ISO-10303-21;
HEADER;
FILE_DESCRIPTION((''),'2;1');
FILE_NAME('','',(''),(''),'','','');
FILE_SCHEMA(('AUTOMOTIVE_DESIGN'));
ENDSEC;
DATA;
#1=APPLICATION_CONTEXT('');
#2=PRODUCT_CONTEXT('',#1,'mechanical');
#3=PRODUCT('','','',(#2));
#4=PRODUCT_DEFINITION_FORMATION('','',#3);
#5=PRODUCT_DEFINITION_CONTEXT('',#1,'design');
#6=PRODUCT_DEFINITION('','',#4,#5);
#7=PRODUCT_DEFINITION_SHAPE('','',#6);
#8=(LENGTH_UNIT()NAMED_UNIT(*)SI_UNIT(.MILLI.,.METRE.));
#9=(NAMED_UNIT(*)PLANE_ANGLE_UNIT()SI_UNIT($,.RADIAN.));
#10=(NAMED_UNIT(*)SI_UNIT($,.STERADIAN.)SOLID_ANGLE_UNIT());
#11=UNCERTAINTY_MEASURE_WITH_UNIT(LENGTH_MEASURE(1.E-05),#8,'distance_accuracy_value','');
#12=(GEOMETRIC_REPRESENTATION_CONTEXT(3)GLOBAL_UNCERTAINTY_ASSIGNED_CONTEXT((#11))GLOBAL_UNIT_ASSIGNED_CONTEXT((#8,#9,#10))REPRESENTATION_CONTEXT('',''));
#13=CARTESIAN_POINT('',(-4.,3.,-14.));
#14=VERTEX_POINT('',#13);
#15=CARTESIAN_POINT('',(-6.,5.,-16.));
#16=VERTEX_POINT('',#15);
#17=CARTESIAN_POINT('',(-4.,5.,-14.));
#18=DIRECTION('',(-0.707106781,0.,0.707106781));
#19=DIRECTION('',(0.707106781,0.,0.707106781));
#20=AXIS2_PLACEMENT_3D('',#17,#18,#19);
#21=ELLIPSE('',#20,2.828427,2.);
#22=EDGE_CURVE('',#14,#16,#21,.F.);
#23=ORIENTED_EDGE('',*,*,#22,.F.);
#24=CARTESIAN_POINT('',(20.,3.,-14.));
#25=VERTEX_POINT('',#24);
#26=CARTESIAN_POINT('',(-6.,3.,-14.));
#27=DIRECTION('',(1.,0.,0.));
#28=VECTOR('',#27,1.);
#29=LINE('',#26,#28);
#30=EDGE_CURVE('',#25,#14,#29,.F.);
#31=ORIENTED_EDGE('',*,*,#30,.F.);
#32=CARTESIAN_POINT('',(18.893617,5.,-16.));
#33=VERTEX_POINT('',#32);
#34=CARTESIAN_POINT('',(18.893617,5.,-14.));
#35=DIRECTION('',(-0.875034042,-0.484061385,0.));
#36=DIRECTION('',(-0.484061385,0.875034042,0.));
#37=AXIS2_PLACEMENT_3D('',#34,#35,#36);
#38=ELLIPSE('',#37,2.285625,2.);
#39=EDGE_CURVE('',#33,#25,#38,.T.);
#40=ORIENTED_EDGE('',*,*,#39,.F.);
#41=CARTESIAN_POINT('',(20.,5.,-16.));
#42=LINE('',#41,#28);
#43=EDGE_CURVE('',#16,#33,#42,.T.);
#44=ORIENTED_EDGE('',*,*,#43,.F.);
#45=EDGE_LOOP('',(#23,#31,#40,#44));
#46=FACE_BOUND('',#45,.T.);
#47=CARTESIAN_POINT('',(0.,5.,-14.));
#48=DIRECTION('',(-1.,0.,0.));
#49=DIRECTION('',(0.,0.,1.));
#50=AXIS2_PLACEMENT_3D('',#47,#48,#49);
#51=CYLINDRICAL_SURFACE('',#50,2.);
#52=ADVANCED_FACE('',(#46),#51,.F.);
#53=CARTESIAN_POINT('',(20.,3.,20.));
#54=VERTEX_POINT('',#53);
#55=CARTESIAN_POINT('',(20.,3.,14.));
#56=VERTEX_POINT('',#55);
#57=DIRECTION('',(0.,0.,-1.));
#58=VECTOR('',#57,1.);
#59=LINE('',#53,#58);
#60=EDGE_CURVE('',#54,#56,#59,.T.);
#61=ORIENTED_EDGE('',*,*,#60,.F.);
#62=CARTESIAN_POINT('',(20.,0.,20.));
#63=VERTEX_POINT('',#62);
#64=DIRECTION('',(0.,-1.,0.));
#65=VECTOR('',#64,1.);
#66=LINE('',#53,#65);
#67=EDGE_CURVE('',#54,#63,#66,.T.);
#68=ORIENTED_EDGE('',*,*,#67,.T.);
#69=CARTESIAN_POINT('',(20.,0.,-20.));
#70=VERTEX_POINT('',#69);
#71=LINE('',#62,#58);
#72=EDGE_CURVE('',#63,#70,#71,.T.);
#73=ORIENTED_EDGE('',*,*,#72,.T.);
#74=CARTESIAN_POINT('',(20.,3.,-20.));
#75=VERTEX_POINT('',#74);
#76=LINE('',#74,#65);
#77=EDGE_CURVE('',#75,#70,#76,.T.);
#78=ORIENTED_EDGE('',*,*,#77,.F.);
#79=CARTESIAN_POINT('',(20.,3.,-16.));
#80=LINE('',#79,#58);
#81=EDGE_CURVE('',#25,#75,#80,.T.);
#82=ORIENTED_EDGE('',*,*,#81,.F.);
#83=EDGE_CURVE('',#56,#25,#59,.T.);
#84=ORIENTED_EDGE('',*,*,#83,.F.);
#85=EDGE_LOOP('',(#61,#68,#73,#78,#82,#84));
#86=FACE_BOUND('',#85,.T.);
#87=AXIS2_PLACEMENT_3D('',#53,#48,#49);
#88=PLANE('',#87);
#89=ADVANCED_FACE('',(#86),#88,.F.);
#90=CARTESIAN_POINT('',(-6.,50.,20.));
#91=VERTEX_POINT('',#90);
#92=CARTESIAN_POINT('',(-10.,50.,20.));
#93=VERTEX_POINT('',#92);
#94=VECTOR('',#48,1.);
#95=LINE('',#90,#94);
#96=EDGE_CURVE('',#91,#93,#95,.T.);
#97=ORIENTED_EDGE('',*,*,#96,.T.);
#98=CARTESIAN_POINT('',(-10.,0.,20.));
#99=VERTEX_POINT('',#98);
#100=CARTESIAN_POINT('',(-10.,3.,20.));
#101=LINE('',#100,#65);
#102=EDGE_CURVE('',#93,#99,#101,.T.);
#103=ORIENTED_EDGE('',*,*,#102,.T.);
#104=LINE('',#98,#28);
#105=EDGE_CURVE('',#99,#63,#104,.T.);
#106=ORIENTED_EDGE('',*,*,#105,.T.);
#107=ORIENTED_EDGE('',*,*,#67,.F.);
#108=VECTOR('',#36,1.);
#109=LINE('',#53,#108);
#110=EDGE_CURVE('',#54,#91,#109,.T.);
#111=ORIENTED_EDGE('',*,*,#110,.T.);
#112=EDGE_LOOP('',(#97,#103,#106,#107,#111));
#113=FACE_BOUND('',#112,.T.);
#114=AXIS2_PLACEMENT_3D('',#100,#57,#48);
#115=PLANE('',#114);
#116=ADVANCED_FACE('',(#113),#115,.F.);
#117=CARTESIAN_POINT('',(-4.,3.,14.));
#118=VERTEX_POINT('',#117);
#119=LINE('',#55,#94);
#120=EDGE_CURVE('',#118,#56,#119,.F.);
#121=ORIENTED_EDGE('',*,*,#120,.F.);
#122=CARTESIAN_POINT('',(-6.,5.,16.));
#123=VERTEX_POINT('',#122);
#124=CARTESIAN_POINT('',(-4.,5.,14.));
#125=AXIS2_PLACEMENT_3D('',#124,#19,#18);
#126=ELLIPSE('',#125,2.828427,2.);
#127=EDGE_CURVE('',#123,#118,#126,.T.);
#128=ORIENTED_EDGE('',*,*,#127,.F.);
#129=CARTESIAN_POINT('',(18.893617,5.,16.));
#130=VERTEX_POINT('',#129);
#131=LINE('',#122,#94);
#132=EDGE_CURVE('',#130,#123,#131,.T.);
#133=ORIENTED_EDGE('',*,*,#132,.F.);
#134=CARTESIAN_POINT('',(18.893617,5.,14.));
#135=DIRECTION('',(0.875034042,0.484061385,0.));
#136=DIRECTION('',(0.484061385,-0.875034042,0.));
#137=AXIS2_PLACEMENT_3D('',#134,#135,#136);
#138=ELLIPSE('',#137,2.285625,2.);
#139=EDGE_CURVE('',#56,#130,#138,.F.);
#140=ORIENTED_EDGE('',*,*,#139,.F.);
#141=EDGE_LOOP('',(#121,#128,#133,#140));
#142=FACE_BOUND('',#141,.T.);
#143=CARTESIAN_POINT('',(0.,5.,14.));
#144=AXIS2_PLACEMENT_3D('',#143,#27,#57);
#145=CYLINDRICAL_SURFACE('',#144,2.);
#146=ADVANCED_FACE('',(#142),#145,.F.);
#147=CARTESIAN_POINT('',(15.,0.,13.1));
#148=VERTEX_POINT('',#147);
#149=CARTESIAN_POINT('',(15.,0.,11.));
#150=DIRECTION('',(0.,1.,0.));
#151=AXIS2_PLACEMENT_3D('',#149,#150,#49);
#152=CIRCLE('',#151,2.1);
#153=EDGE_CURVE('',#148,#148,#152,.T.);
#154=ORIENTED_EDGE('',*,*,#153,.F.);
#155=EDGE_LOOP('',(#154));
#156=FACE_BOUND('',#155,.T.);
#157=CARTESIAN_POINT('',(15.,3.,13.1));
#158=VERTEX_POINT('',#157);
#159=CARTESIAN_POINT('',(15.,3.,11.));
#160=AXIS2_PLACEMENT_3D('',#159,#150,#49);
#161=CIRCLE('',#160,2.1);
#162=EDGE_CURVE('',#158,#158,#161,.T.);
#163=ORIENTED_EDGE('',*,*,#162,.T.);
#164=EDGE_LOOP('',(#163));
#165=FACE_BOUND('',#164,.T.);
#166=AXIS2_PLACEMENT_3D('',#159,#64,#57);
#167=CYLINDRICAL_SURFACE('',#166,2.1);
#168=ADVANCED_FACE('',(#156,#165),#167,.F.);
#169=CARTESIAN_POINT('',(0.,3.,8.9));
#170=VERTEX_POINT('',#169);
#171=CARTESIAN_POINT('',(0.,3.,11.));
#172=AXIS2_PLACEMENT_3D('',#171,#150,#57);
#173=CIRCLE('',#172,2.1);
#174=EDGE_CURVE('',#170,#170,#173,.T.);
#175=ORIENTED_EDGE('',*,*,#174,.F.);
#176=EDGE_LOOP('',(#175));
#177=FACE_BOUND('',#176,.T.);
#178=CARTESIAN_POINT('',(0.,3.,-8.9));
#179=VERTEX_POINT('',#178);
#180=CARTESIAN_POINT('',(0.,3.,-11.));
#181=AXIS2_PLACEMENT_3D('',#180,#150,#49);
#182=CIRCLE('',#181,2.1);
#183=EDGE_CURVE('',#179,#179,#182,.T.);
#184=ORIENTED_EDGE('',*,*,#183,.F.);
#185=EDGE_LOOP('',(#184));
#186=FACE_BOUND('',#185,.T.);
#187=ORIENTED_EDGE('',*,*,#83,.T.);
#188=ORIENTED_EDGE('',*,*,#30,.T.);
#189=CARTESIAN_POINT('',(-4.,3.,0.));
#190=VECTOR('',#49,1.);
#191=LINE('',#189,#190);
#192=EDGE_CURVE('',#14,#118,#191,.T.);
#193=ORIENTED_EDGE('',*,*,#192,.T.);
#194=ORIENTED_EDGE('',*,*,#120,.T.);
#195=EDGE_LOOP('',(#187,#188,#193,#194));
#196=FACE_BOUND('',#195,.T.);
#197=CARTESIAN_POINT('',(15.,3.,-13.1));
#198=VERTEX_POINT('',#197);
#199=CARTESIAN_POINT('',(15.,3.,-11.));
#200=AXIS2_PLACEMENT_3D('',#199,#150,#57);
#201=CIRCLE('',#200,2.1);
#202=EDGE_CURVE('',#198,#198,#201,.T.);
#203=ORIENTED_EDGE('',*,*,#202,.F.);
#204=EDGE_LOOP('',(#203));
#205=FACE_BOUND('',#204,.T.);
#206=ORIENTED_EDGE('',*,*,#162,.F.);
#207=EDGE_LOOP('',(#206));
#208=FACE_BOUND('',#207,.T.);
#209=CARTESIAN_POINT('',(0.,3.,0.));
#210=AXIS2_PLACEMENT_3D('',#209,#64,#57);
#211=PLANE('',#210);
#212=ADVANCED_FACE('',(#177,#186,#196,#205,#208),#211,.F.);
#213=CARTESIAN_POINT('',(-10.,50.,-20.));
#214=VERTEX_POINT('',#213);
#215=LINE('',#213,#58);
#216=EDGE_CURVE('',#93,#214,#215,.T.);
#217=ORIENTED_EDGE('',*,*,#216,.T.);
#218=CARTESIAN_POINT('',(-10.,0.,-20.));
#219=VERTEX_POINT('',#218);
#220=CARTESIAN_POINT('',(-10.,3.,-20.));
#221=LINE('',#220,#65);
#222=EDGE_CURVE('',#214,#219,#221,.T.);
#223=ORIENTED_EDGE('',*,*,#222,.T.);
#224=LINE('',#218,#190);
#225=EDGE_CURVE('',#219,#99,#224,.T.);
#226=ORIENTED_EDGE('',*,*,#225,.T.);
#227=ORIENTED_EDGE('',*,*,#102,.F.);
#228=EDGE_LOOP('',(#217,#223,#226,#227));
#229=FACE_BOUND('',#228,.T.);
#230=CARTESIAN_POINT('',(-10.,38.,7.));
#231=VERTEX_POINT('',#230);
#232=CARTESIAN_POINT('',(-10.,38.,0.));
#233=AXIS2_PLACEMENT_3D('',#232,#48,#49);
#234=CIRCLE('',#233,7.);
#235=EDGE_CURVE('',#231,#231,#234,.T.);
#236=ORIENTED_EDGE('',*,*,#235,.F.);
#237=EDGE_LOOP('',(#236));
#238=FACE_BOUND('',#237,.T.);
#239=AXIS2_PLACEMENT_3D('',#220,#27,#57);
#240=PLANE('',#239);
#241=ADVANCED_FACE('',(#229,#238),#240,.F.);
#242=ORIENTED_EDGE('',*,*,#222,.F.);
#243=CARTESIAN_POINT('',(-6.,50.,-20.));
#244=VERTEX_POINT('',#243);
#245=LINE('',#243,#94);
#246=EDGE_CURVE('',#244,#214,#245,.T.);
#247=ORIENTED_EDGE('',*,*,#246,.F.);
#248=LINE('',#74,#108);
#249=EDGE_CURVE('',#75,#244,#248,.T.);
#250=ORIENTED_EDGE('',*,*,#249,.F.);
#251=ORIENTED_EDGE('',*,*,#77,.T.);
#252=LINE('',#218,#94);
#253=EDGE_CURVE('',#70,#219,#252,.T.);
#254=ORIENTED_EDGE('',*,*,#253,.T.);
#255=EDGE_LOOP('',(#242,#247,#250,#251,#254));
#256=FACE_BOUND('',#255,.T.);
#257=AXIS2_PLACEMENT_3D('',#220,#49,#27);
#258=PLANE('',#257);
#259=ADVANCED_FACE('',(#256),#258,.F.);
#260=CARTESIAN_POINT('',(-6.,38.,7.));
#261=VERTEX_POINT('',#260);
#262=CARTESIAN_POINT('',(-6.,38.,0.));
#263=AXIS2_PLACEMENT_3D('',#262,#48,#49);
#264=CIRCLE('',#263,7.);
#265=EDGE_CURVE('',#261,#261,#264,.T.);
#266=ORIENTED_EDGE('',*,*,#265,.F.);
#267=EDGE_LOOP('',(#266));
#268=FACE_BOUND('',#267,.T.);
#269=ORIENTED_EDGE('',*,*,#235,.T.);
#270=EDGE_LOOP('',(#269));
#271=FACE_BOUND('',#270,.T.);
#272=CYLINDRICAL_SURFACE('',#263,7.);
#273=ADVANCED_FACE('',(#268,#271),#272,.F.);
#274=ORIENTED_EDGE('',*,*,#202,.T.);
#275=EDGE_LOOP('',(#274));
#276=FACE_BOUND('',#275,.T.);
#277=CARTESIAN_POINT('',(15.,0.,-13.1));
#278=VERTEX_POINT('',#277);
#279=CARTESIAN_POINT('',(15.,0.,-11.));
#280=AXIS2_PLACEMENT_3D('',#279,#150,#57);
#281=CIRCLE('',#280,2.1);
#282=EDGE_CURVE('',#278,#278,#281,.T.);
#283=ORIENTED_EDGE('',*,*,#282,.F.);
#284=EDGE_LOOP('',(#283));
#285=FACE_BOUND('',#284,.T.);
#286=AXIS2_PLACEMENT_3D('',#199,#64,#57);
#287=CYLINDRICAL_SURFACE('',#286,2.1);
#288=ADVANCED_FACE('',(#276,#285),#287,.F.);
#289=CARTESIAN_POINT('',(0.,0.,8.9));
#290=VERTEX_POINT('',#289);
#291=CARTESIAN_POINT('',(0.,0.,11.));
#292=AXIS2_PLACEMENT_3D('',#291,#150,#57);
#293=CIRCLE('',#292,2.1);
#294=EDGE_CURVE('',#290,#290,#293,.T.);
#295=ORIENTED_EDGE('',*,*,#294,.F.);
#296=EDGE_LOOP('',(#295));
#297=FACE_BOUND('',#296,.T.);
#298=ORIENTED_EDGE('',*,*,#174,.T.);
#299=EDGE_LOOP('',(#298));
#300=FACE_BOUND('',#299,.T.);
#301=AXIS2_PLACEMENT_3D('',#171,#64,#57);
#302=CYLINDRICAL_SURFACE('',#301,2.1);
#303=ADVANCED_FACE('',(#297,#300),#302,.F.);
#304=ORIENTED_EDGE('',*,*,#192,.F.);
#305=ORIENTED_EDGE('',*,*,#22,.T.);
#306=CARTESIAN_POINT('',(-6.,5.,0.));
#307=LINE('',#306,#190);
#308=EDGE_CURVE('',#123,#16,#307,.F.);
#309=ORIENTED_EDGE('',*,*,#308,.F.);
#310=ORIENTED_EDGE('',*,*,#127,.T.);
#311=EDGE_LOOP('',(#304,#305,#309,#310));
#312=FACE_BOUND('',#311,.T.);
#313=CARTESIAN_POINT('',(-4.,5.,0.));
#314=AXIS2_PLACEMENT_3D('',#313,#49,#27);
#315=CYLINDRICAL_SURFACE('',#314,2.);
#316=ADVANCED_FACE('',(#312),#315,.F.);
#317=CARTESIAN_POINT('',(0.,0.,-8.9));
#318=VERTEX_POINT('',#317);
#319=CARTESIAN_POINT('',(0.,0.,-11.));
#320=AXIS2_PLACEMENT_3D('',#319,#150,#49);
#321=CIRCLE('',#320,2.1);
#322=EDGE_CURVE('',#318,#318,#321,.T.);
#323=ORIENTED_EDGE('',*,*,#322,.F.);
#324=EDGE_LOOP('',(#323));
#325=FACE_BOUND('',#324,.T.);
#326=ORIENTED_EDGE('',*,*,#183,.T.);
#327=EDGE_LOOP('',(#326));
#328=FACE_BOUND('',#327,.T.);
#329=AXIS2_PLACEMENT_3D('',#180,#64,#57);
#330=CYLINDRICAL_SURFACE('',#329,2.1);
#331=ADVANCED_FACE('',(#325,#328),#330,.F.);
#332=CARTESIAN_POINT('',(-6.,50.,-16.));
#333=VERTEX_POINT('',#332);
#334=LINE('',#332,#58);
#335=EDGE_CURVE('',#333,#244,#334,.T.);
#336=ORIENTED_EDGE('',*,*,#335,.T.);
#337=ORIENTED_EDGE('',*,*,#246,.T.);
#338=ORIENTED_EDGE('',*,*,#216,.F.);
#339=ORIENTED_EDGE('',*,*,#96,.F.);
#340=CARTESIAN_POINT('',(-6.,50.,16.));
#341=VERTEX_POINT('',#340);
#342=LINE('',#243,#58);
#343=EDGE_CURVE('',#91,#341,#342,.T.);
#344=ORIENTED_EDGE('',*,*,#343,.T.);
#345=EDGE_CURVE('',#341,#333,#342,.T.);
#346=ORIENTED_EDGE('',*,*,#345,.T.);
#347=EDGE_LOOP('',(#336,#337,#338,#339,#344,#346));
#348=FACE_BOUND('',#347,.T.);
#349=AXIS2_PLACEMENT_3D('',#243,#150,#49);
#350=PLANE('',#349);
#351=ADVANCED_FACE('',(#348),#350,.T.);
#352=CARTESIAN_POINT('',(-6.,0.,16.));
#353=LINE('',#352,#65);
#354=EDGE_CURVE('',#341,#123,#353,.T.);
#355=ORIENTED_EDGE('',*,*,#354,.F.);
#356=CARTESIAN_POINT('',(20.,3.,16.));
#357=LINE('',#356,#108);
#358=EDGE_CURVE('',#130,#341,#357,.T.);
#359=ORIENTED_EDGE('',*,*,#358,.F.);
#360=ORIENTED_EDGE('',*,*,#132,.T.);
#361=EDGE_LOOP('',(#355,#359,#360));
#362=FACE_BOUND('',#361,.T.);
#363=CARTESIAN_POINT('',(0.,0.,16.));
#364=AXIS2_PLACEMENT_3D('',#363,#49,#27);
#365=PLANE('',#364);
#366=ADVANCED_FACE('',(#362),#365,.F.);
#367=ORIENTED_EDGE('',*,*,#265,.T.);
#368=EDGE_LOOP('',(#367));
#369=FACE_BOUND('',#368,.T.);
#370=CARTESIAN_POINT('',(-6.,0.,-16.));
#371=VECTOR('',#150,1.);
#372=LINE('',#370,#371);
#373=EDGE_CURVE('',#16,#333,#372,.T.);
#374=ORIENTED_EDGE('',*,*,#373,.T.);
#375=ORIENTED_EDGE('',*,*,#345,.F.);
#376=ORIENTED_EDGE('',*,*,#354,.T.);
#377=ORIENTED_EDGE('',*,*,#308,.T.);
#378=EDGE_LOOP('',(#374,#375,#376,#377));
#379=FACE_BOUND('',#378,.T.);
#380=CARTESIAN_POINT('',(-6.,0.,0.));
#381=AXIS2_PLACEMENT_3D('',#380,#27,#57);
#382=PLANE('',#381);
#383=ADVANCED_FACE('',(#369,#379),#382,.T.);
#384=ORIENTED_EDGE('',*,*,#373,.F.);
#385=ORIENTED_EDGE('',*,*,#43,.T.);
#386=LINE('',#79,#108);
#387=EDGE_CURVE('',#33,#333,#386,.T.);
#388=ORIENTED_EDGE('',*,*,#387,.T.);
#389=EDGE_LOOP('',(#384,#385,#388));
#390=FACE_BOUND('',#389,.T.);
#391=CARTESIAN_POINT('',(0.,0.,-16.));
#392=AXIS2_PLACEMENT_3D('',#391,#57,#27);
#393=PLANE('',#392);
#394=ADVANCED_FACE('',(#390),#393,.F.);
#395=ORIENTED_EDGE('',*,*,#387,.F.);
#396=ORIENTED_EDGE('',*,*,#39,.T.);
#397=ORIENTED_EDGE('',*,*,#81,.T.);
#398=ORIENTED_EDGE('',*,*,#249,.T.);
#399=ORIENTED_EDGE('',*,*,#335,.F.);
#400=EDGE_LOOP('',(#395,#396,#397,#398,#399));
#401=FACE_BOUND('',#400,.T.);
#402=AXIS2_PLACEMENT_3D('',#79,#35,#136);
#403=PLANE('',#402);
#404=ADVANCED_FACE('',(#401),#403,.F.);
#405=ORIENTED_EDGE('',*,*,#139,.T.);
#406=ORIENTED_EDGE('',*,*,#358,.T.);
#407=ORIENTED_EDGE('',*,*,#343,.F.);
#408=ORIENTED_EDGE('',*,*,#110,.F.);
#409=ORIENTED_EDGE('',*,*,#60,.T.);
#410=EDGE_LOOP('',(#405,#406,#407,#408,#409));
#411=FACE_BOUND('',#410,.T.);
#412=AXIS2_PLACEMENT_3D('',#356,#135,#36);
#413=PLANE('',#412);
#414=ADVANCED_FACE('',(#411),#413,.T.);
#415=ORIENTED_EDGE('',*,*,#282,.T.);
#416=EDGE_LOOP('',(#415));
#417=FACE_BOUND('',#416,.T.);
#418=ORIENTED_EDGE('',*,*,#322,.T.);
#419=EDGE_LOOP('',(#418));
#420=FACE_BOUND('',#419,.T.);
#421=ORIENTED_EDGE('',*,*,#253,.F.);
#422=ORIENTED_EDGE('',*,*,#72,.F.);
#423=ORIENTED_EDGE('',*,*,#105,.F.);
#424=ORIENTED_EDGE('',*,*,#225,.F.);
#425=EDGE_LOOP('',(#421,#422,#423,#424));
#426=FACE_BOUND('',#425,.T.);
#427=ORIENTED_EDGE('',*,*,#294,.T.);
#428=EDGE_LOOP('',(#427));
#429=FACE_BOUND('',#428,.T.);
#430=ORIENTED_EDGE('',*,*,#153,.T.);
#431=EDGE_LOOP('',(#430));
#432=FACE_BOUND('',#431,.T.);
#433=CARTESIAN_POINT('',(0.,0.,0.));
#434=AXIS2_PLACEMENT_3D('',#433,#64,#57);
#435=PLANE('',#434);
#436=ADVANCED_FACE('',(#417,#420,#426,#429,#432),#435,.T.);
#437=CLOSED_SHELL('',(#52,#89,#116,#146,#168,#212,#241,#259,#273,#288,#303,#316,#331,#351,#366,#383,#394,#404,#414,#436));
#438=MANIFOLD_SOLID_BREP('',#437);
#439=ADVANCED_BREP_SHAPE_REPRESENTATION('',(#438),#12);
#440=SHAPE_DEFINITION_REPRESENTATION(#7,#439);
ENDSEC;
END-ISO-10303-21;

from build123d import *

# Parameters (mm, degrees)
SSS_W               = 30
SSS_H               = 40
SSS_R               = 2.1
BOSS_EXTRUDE2_DEPTH = 3
SKETCH1_W           = 40
SKETCH1_H           = 50
SKETCH1_R           = 7
BOSS_EXTRUDE3_DEPTH = 4
BOSS_EXTRUDE4_DEPTH = 4
FILLET1_R           = 2


with BuildPart() as part:
    # sss → Boss-Extrude2 (new body)
    with BuildSketch(Plane(origin=(0, 0, 0), x_dir=(1, 0, 0), z_dir=(0, 1, 0))):
        with Locations((5, 0)):
            Rectangle(SSS_W, SSS_H)
        with Locations(Location((0, 11, 0), (0, 0, 270))):
            Circle(SSS_R, mode=Mode.SUBTRACT)
        with Locations(Location((0, -11, 0), (0, 0, 90))):
            Circle(SSS_R, mode=Mode.SUBTRACT)
        with Locations(Location((15, -11, 0), (0, 0, 270))):
            Circle(SSS_R, mode=Mode.SUBTRACT)
        with Locations(Location((15, 11, 0), (0, 0, 90))):
            Circle(SSS_R, mode=Mode.SUBTRACT)
    extrude(amount=BOSS_EXTRUDE2_DEPTH)

    # Sketch1 → Boss-Extrude3 (add)
    with BuildSketch(Plane.ZY.offset(10)):
        with Locations((0, 25)):
            Rectangle(SKETCH1_W, SKETCH1_H)
        with Locations((0, 38)):
            Circle(SKETCH1_R, mode=Mode.SUBTRACT)
    extrude(amount=-BOSS_EXTRUDE3_DEPTH)

    # Sketch2 → Boss-Extrude4 (add)
    with BuildSketch(Plane.XY.offset(20)):
        Polygon((-10, 50), (-10, 0), (20, 0), (20, 3), (-6, 50), align=None)
    boss_extrude4 = extrude(amount=-BOSS_EXTRUDE4_DEPTH)

    # Mirror1: Boss-Extrude4 across plane
    add(boss_extrude4.mirror(Plane.XY))

    # Fillet1
    fillet1_edges = [part.edges().sort_by_distance(p)[0] for p in [
        (7, 3, 16),
        (-6, 3, 0),
        (7, 3, -16),
    ]]
    fillet(fillet1_edges, radius=FILLET1_R)


solid = part.part
